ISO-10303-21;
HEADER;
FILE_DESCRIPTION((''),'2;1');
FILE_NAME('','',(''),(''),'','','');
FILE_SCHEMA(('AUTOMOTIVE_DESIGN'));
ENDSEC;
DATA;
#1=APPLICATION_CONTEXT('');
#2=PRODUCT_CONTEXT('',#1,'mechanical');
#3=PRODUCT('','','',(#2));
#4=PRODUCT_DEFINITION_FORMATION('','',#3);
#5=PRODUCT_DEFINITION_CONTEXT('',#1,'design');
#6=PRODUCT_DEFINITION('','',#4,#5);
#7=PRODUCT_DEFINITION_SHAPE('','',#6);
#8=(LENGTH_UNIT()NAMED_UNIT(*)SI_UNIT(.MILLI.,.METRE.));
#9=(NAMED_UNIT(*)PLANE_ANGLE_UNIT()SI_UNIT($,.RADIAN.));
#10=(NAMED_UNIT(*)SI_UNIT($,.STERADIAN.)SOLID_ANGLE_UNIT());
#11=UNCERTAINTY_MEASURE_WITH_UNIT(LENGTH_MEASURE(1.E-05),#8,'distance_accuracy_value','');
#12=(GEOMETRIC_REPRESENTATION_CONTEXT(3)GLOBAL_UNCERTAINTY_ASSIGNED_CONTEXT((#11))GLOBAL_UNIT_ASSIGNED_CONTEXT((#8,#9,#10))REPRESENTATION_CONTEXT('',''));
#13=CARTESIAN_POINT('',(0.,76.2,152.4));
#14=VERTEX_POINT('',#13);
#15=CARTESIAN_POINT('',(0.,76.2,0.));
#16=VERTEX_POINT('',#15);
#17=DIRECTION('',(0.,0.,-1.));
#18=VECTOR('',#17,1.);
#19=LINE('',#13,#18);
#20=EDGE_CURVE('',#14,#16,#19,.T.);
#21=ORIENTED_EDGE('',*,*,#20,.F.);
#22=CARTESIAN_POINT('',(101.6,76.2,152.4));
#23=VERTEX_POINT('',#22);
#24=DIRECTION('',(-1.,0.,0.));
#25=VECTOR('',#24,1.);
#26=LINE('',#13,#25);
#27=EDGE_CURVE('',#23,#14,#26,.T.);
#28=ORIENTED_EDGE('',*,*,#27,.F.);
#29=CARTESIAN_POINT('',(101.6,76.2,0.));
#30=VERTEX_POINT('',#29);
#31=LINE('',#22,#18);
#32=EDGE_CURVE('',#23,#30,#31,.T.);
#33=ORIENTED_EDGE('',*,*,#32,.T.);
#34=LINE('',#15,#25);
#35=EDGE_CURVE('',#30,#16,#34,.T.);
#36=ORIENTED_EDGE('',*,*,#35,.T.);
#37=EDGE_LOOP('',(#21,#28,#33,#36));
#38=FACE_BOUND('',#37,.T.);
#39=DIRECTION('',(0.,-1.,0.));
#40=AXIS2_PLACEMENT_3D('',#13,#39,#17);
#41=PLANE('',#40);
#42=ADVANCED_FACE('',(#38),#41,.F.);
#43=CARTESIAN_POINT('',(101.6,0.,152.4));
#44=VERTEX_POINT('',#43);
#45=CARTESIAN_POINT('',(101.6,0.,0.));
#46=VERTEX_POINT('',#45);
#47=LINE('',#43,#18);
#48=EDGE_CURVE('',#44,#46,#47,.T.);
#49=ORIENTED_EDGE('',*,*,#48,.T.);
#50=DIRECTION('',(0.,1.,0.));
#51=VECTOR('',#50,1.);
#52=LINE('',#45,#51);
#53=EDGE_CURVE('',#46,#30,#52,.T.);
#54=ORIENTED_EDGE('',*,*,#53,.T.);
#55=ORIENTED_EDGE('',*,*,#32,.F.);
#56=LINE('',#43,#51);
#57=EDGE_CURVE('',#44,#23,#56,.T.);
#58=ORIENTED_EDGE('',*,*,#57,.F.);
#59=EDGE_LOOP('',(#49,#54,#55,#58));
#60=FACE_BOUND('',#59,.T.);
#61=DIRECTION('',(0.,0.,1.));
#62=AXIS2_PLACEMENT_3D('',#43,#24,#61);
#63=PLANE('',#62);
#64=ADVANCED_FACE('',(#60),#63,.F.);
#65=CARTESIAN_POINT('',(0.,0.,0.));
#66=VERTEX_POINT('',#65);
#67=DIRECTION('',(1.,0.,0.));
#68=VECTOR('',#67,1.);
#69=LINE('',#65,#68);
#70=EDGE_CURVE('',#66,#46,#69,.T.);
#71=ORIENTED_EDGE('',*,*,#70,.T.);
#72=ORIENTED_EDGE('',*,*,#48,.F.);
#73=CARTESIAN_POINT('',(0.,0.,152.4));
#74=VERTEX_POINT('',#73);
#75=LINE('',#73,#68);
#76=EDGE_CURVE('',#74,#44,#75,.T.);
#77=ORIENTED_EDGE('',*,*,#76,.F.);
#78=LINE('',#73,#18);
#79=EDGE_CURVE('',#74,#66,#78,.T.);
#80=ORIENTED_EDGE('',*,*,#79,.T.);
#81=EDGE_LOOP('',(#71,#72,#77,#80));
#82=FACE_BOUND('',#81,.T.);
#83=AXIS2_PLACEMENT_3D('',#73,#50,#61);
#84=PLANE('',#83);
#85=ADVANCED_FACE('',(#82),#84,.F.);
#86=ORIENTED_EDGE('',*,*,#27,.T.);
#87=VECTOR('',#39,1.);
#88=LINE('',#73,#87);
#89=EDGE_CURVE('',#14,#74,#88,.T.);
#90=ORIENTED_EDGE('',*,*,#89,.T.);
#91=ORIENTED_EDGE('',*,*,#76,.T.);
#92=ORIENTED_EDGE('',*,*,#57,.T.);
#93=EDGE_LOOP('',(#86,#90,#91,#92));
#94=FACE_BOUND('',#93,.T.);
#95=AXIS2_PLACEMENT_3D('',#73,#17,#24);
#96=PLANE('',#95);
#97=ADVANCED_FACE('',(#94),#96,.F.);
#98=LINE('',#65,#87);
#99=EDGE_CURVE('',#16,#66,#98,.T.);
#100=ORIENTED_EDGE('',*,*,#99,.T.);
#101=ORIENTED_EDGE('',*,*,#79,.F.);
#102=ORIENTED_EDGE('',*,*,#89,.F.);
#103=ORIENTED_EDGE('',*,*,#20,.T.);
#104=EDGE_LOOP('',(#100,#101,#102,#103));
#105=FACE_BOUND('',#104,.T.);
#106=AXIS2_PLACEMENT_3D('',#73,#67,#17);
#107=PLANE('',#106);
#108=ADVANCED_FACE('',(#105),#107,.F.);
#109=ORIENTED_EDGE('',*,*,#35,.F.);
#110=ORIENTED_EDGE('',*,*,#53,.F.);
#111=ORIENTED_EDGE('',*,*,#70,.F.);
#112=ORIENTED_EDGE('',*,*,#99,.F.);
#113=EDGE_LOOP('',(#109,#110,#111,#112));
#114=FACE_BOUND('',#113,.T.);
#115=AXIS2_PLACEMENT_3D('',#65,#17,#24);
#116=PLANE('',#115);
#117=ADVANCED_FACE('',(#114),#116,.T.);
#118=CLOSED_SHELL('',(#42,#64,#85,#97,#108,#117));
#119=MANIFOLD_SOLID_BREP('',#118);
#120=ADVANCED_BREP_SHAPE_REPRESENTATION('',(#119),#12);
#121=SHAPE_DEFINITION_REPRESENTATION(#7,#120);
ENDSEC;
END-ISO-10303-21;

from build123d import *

# Parameters (mm, degrees)
SKETCH1_W           = 101.6
SKETCH1_H           = 76.2
BOSS_EXTRUDE1_DEPTH = 152.4


with BuildPart() as part:
    # Sketch1 → Boss-Extrude1 (new body)
    with BuildSketch(Plane.XY):
        with Locations((50.8, 38.1)):
            Rectangle(SKETCH1_W, SKETCH1_H)
    extrude(amount=BOSS_EXTRUDE1_DEPTH)


solid = part.part
